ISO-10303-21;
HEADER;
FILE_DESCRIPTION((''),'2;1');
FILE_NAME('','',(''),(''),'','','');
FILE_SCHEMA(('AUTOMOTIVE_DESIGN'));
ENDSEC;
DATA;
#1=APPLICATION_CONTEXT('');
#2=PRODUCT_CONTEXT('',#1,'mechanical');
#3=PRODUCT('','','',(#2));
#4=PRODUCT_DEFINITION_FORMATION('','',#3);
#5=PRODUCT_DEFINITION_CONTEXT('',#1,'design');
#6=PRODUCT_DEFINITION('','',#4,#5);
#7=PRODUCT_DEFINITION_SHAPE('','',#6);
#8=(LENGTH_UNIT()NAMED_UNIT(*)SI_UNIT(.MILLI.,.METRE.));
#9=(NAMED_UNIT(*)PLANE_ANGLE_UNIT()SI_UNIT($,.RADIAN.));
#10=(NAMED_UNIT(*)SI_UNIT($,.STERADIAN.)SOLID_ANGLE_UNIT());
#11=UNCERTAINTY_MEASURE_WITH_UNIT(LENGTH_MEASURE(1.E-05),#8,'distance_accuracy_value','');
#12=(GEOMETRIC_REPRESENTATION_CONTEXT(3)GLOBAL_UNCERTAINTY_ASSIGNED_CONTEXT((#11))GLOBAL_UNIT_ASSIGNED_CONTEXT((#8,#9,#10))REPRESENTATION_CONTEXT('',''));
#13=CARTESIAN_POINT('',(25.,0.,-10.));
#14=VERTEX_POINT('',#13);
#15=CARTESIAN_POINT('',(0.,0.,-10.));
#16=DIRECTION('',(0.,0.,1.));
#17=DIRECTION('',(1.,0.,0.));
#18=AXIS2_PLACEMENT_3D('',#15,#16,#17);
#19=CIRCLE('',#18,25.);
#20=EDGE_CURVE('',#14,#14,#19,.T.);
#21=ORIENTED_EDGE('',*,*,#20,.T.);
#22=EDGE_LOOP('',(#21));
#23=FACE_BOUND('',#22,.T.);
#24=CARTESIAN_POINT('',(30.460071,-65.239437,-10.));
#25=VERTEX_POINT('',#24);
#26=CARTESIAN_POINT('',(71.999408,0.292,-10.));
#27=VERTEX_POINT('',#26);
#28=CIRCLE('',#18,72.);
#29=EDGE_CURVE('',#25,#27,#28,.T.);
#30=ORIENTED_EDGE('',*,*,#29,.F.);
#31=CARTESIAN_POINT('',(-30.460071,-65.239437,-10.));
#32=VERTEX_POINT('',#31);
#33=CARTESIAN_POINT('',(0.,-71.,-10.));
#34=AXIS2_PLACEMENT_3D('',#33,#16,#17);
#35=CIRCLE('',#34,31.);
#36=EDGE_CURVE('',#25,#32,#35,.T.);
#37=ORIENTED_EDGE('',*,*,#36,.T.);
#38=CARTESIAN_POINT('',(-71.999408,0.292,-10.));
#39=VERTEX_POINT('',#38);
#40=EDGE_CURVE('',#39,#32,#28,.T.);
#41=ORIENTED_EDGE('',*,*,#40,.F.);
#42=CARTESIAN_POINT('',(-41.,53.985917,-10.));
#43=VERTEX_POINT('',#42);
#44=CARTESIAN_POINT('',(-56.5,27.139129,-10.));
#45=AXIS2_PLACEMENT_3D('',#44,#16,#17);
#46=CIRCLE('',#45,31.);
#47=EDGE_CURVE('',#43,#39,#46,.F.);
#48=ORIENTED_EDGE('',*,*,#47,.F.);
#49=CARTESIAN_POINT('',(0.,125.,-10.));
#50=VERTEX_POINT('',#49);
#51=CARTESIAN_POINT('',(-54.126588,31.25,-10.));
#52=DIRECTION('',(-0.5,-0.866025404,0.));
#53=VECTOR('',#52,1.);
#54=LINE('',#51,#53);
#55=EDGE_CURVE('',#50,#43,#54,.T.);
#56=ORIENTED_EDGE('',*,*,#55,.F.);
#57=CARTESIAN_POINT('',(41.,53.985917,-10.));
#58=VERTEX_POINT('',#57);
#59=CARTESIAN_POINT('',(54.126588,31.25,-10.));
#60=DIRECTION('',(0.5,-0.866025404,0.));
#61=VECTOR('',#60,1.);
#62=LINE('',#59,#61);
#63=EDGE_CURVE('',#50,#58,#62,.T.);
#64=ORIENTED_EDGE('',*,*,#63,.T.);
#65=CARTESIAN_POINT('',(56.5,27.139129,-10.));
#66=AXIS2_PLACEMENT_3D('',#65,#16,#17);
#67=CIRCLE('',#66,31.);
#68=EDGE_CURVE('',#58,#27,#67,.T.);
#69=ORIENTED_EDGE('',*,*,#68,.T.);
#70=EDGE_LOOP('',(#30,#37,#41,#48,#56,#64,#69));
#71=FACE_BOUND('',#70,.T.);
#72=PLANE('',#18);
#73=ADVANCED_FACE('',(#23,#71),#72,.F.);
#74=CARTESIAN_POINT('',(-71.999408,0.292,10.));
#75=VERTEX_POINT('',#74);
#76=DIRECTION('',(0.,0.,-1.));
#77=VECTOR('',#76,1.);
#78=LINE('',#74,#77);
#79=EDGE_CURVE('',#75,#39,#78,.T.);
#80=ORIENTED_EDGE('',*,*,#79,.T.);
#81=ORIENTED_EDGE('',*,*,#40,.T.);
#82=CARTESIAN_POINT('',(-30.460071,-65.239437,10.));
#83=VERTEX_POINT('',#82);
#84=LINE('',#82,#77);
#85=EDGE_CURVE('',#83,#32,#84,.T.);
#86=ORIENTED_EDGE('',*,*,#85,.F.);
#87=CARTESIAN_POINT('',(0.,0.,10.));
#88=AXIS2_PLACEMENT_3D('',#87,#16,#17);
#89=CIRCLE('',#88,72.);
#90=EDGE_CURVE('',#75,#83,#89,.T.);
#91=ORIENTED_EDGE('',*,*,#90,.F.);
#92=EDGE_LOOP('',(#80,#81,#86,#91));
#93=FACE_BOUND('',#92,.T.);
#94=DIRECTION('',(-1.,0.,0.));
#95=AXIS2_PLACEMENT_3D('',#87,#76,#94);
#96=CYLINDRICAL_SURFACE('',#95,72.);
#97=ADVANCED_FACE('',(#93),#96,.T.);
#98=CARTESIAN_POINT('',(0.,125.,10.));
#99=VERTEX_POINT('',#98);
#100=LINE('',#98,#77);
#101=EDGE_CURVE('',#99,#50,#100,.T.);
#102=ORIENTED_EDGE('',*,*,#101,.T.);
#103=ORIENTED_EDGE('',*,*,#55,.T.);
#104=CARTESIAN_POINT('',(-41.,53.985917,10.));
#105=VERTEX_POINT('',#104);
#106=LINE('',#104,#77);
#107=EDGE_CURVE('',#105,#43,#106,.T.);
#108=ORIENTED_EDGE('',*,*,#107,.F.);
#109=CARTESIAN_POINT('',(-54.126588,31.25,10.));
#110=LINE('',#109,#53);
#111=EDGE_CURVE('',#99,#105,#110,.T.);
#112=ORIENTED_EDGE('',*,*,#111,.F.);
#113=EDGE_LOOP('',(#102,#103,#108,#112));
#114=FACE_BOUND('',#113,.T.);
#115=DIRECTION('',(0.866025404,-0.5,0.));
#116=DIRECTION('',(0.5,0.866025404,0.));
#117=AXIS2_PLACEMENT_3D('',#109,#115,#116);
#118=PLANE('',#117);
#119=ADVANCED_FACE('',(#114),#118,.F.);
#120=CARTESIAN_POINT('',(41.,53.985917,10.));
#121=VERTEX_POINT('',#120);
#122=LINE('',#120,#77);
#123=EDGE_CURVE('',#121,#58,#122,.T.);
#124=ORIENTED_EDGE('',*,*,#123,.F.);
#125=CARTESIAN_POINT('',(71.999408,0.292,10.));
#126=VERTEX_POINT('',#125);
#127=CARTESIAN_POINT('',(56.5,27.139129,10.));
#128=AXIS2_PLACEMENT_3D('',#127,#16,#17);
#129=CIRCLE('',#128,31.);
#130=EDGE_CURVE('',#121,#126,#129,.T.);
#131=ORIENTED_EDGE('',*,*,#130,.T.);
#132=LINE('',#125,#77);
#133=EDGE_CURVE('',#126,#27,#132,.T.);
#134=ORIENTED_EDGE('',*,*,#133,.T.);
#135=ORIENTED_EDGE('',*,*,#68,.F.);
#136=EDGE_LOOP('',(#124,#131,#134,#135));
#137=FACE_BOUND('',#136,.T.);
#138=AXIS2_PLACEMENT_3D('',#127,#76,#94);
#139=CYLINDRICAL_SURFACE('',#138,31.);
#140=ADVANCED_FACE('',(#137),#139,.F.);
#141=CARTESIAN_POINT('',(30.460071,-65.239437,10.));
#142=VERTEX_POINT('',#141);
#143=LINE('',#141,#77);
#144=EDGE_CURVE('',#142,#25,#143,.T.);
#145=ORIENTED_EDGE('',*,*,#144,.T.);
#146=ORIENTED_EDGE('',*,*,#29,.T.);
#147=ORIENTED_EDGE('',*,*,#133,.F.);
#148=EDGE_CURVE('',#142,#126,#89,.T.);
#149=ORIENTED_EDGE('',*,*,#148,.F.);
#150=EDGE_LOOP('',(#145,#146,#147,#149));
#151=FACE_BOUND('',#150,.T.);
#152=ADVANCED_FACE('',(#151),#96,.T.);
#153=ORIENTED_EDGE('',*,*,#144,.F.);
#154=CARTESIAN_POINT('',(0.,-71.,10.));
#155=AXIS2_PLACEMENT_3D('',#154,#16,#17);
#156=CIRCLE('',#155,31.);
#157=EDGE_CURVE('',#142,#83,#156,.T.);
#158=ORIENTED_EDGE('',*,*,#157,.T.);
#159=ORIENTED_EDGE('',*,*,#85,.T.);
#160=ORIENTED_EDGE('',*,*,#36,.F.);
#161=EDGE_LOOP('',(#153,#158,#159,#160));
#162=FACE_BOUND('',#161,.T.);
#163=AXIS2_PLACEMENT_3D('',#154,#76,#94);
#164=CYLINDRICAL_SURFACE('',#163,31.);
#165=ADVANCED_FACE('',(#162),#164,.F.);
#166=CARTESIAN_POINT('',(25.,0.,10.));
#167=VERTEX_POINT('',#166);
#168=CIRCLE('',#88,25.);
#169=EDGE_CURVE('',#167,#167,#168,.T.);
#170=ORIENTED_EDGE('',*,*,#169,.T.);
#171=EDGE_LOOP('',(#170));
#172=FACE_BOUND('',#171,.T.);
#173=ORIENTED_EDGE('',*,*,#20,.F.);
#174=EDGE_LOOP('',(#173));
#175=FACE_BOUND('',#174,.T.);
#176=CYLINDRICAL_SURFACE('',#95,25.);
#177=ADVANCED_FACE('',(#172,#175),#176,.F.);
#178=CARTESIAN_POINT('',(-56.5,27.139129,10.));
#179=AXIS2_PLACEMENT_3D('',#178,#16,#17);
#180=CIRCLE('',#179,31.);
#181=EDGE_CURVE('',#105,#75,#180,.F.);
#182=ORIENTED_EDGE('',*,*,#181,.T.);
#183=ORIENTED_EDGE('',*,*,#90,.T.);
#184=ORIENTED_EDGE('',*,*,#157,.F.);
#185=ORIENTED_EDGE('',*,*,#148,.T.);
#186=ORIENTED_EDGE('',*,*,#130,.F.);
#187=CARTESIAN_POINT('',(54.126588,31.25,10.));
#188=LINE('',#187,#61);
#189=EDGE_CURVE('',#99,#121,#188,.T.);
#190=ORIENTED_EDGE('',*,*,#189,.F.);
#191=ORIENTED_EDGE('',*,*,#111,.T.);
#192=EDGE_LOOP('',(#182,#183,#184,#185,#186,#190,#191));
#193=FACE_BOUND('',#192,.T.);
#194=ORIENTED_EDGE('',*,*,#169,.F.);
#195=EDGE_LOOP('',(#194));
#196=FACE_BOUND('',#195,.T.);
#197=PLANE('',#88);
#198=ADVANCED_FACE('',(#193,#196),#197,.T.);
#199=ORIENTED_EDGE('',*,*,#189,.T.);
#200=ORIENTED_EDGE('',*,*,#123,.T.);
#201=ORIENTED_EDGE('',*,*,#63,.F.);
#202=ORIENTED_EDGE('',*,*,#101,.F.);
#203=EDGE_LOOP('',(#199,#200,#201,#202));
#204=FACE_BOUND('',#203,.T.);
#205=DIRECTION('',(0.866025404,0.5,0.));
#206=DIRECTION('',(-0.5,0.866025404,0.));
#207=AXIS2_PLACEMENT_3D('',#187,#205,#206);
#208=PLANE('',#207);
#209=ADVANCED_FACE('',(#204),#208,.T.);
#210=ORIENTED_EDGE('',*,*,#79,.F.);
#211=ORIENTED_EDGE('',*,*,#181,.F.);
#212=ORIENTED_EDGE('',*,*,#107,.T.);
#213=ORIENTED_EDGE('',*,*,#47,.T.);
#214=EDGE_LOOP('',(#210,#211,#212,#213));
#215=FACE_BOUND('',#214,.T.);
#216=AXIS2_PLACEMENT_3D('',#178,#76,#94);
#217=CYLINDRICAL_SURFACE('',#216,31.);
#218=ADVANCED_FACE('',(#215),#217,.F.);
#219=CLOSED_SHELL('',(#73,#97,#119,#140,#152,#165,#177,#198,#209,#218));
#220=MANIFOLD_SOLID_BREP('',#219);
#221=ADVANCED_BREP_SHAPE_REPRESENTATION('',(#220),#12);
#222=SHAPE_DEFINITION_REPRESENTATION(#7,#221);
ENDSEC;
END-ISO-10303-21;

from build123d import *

# Parameters (mm, degrees)
SKETCH1_R           = 25
BOSS_EXTRUDE1_DEPTH = 10


with BuildPart() as part:
    # Sketch1 → Boss-Extrude1 (new body, symmetric)
    with BuildSketch(Plane.XY):
        with BuildLine():
            Line((41, 53.98591689), (0, 125))
            Line((0, 125), (-41, 53.98591689))
            ThreePointArc((-41, 53.98591689), (-29.653041557, 11.639425428), (-71.999407886, 0.292000007))
            ThreePointArc((-71.999407886, 0.292000007), (-60.81182851, -38.5476525), (-30.460070741, -65.23943662))
            ThreePointArc((-30.460070741, -65.23943662), (0, -40), (30.460070741, -65.23943662))
            ThreePointArc((30.460070741, -65.23943662), (60.81182851, -38.5476525), (71.999407886, 0.292000007))
            ThreePointArc((71.999407886, 0.292000007), (29.653041557, 11.639425428), (41, 53.98591689))
        make_face()
        Circle(SKETCH1_R, mode=Mode.SUBTRACT)
    extrude(amount=BOSS_EXTRUDE1_DEPTH, both=True)


solid = part.part
